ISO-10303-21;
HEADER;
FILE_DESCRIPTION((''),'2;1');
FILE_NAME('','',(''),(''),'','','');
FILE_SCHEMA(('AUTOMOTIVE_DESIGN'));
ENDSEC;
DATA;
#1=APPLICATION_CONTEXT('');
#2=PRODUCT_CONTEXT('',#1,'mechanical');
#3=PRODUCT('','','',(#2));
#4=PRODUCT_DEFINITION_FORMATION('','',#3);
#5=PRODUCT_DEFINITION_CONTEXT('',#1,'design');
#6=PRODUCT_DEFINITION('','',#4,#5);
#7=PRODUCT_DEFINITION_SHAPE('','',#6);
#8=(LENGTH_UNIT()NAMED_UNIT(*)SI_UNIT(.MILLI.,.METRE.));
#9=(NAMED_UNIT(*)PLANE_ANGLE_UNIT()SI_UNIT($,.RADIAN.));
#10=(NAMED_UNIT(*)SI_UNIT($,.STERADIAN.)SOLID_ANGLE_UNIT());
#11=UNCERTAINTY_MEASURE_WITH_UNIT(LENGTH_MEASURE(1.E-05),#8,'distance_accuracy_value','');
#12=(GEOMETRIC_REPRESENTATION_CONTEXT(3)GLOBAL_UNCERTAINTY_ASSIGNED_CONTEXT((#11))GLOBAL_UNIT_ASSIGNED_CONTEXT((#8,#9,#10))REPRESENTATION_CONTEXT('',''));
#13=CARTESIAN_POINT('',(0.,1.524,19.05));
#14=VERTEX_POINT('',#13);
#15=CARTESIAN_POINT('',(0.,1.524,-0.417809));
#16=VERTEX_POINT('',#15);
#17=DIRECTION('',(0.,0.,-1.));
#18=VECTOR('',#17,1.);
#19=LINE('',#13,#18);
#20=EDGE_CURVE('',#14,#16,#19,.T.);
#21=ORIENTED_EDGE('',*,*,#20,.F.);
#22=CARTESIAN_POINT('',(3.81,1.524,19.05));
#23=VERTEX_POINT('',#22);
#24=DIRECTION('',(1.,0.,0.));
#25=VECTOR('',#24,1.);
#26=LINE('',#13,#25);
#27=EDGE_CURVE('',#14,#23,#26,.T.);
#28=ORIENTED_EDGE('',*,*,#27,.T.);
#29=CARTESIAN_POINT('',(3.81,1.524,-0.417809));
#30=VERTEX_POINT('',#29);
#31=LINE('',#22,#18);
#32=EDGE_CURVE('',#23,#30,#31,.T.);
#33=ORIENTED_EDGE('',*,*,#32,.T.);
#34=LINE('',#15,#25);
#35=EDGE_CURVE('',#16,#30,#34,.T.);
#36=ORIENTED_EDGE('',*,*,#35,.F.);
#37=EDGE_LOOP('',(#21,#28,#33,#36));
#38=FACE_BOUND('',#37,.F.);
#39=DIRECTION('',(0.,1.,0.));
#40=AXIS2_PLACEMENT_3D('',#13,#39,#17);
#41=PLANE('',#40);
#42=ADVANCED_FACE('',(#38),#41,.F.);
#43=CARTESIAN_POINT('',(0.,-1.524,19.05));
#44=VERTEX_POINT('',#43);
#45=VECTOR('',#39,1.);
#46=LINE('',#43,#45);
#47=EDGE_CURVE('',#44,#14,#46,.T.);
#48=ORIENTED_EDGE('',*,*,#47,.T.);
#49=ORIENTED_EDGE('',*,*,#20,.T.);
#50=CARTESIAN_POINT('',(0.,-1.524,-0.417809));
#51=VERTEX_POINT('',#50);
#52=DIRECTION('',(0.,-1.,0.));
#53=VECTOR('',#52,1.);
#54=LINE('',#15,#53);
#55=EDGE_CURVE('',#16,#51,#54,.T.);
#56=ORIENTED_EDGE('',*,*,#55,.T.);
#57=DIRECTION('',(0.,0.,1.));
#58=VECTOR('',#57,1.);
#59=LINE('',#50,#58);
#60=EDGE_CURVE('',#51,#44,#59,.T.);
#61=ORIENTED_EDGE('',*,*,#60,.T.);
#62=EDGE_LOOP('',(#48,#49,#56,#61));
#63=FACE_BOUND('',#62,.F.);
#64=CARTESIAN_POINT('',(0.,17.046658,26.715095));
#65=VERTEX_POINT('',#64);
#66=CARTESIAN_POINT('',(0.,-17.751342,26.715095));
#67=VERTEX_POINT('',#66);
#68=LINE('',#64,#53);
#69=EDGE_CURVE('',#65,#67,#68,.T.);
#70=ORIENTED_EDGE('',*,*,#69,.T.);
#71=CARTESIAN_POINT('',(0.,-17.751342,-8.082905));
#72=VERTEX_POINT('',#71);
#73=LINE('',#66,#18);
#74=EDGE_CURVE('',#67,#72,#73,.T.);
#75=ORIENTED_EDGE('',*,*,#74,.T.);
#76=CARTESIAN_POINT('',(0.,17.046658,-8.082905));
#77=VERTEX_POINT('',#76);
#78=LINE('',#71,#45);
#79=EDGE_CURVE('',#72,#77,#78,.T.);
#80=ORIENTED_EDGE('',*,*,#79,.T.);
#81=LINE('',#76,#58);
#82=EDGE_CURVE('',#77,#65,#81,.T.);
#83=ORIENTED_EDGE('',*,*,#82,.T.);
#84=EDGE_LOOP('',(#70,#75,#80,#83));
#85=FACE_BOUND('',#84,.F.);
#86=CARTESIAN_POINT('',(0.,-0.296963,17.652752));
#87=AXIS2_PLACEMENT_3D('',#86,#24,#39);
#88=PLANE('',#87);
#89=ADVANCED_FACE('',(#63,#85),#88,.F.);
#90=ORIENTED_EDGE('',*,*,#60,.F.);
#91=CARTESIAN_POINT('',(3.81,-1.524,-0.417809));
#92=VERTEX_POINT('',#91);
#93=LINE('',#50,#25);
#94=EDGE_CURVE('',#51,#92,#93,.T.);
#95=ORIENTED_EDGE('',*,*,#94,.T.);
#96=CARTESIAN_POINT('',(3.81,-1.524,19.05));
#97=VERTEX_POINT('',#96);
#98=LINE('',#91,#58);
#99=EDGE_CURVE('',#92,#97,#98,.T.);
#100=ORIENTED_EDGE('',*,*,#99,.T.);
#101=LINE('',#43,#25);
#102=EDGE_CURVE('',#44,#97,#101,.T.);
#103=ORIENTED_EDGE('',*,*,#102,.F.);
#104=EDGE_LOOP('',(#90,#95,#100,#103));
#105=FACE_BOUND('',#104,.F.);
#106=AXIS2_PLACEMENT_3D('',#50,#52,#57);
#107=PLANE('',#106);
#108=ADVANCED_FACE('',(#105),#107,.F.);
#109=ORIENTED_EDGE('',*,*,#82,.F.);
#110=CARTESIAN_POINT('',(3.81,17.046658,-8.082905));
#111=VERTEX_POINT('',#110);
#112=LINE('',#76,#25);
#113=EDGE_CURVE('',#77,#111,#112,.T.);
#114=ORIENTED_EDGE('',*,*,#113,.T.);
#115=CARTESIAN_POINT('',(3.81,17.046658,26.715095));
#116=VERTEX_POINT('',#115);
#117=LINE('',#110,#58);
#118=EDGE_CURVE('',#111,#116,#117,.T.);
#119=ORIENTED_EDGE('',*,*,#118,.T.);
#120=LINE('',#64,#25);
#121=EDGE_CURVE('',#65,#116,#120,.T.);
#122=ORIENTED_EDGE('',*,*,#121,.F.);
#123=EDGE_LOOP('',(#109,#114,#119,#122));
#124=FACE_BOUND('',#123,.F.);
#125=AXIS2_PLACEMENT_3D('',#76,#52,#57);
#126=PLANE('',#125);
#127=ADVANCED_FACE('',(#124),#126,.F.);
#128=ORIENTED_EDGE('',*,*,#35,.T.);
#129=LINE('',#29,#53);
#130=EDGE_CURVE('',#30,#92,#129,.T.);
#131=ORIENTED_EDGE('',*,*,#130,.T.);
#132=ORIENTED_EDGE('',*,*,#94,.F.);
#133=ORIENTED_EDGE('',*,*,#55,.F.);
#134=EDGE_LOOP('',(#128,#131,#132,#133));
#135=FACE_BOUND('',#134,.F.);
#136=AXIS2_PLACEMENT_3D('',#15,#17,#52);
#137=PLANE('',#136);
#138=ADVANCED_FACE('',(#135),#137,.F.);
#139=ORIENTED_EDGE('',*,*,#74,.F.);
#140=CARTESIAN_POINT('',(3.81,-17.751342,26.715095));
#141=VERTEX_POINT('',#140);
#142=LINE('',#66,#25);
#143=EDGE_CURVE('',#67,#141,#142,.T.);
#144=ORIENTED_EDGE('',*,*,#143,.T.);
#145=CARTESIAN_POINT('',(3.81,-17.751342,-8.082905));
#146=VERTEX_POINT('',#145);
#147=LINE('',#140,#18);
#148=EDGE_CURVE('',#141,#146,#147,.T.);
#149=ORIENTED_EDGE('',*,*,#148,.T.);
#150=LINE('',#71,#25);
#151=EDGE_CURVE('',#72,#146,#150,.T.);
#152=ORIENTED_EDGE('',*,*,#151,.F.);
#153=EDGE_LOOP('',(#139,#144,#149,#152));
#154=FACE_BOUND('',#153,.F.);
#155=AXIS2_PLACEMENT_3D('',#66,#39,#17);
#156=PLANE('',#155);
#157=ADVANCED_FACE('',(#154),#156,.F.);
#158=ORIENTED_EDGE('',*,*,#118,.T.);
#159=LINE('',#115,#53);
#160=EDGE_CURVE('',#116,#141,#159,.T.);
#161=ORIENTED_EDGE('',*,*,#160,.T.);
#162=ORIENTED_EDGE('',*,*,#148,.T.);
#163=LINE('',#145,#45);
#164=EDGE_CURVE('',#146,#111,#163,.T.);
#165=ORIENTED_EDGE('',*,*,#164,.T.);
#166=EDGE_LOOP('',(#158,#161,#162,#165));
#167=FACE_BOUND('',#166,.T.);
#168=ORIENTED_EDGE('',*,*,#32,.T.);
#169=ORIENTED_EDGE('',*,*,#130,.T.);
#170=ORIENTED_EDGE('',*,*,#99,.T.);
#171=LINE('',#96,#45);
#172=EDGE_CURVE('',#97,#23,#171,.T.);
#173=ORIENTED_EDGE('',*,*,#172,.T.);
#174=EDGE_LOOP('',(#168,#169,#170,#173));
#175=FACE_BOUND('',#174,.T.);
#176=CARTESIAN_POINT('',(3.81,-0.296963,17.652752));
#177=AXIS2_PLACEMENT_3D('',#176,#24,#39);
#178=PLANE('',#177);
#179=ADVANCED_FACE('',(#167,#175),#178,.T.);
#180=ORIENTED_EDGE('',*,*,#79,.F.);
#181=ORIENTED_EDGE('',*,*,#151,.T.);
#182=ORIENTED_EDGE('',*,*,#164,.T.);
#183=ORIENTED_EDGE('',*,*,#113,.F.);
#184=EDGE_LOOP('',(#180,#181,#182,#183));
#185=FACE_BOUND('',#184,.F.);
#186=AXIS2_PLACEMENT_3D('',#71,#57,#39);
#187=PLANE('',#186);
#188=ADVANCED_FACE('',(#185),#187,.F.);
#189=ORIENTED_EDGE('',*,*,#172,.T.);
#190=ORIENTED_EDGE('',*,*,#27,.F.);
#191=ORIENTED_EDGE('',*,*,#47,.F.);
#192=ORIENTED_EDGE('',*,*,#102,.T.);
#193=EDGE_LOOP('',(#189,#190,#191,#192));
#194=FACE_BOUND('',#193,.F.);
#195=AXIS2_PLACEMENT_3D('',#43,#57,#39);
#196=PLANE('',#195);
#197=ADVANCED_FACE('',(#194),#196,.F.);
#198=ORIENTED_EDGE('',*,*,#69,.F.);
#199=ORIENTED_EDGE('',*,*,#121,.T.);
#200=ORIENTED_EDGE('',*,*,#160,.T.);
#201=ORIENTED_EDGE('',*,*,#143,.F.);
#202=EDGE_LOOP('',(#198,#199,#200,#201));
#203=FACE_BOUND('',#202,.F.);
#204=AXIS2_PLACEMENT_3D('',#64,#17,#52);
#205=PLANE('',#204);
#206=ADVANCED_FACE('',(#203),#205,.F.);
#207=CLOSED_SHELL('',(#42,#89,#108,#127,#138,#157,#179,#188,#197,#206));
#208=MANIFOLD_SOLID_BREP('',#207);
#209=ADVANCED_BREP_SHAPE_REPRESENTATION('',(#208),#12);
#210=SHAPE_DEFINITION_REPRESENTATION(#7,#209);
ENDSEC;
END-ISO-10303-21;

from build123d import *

# Parameters (mm, degrees)
F1_DEPTH = 3.81


with BuildPart() as f1:
    # F0 (on Right) → F1 (new body)
    with BuildSketch(Plane.YZ):
        Polygon((17.046658, 26.715095), (-17.751342, 26.715095), (-17.751342, 9.316095), (-1.524, 9.316095), (-1.524, 19.05), (0, 19.05), (1.524, 19.05), (1.524, 9.316095), (17.046658, 9.316095), align=None)
        Polygon((-1.524, 9.316095), (-17.751342, 9.316095), (-17.751342, -8.082905), (17.046658, -8.082905), (17.046658, 9.316095), (1.524, 9.316095), (1.524, -0.417809), (0, -0.417809), (-1.524, -0.417809), align=None)
    extrude(amount=F1_DEPTH)


solid = f1.part
